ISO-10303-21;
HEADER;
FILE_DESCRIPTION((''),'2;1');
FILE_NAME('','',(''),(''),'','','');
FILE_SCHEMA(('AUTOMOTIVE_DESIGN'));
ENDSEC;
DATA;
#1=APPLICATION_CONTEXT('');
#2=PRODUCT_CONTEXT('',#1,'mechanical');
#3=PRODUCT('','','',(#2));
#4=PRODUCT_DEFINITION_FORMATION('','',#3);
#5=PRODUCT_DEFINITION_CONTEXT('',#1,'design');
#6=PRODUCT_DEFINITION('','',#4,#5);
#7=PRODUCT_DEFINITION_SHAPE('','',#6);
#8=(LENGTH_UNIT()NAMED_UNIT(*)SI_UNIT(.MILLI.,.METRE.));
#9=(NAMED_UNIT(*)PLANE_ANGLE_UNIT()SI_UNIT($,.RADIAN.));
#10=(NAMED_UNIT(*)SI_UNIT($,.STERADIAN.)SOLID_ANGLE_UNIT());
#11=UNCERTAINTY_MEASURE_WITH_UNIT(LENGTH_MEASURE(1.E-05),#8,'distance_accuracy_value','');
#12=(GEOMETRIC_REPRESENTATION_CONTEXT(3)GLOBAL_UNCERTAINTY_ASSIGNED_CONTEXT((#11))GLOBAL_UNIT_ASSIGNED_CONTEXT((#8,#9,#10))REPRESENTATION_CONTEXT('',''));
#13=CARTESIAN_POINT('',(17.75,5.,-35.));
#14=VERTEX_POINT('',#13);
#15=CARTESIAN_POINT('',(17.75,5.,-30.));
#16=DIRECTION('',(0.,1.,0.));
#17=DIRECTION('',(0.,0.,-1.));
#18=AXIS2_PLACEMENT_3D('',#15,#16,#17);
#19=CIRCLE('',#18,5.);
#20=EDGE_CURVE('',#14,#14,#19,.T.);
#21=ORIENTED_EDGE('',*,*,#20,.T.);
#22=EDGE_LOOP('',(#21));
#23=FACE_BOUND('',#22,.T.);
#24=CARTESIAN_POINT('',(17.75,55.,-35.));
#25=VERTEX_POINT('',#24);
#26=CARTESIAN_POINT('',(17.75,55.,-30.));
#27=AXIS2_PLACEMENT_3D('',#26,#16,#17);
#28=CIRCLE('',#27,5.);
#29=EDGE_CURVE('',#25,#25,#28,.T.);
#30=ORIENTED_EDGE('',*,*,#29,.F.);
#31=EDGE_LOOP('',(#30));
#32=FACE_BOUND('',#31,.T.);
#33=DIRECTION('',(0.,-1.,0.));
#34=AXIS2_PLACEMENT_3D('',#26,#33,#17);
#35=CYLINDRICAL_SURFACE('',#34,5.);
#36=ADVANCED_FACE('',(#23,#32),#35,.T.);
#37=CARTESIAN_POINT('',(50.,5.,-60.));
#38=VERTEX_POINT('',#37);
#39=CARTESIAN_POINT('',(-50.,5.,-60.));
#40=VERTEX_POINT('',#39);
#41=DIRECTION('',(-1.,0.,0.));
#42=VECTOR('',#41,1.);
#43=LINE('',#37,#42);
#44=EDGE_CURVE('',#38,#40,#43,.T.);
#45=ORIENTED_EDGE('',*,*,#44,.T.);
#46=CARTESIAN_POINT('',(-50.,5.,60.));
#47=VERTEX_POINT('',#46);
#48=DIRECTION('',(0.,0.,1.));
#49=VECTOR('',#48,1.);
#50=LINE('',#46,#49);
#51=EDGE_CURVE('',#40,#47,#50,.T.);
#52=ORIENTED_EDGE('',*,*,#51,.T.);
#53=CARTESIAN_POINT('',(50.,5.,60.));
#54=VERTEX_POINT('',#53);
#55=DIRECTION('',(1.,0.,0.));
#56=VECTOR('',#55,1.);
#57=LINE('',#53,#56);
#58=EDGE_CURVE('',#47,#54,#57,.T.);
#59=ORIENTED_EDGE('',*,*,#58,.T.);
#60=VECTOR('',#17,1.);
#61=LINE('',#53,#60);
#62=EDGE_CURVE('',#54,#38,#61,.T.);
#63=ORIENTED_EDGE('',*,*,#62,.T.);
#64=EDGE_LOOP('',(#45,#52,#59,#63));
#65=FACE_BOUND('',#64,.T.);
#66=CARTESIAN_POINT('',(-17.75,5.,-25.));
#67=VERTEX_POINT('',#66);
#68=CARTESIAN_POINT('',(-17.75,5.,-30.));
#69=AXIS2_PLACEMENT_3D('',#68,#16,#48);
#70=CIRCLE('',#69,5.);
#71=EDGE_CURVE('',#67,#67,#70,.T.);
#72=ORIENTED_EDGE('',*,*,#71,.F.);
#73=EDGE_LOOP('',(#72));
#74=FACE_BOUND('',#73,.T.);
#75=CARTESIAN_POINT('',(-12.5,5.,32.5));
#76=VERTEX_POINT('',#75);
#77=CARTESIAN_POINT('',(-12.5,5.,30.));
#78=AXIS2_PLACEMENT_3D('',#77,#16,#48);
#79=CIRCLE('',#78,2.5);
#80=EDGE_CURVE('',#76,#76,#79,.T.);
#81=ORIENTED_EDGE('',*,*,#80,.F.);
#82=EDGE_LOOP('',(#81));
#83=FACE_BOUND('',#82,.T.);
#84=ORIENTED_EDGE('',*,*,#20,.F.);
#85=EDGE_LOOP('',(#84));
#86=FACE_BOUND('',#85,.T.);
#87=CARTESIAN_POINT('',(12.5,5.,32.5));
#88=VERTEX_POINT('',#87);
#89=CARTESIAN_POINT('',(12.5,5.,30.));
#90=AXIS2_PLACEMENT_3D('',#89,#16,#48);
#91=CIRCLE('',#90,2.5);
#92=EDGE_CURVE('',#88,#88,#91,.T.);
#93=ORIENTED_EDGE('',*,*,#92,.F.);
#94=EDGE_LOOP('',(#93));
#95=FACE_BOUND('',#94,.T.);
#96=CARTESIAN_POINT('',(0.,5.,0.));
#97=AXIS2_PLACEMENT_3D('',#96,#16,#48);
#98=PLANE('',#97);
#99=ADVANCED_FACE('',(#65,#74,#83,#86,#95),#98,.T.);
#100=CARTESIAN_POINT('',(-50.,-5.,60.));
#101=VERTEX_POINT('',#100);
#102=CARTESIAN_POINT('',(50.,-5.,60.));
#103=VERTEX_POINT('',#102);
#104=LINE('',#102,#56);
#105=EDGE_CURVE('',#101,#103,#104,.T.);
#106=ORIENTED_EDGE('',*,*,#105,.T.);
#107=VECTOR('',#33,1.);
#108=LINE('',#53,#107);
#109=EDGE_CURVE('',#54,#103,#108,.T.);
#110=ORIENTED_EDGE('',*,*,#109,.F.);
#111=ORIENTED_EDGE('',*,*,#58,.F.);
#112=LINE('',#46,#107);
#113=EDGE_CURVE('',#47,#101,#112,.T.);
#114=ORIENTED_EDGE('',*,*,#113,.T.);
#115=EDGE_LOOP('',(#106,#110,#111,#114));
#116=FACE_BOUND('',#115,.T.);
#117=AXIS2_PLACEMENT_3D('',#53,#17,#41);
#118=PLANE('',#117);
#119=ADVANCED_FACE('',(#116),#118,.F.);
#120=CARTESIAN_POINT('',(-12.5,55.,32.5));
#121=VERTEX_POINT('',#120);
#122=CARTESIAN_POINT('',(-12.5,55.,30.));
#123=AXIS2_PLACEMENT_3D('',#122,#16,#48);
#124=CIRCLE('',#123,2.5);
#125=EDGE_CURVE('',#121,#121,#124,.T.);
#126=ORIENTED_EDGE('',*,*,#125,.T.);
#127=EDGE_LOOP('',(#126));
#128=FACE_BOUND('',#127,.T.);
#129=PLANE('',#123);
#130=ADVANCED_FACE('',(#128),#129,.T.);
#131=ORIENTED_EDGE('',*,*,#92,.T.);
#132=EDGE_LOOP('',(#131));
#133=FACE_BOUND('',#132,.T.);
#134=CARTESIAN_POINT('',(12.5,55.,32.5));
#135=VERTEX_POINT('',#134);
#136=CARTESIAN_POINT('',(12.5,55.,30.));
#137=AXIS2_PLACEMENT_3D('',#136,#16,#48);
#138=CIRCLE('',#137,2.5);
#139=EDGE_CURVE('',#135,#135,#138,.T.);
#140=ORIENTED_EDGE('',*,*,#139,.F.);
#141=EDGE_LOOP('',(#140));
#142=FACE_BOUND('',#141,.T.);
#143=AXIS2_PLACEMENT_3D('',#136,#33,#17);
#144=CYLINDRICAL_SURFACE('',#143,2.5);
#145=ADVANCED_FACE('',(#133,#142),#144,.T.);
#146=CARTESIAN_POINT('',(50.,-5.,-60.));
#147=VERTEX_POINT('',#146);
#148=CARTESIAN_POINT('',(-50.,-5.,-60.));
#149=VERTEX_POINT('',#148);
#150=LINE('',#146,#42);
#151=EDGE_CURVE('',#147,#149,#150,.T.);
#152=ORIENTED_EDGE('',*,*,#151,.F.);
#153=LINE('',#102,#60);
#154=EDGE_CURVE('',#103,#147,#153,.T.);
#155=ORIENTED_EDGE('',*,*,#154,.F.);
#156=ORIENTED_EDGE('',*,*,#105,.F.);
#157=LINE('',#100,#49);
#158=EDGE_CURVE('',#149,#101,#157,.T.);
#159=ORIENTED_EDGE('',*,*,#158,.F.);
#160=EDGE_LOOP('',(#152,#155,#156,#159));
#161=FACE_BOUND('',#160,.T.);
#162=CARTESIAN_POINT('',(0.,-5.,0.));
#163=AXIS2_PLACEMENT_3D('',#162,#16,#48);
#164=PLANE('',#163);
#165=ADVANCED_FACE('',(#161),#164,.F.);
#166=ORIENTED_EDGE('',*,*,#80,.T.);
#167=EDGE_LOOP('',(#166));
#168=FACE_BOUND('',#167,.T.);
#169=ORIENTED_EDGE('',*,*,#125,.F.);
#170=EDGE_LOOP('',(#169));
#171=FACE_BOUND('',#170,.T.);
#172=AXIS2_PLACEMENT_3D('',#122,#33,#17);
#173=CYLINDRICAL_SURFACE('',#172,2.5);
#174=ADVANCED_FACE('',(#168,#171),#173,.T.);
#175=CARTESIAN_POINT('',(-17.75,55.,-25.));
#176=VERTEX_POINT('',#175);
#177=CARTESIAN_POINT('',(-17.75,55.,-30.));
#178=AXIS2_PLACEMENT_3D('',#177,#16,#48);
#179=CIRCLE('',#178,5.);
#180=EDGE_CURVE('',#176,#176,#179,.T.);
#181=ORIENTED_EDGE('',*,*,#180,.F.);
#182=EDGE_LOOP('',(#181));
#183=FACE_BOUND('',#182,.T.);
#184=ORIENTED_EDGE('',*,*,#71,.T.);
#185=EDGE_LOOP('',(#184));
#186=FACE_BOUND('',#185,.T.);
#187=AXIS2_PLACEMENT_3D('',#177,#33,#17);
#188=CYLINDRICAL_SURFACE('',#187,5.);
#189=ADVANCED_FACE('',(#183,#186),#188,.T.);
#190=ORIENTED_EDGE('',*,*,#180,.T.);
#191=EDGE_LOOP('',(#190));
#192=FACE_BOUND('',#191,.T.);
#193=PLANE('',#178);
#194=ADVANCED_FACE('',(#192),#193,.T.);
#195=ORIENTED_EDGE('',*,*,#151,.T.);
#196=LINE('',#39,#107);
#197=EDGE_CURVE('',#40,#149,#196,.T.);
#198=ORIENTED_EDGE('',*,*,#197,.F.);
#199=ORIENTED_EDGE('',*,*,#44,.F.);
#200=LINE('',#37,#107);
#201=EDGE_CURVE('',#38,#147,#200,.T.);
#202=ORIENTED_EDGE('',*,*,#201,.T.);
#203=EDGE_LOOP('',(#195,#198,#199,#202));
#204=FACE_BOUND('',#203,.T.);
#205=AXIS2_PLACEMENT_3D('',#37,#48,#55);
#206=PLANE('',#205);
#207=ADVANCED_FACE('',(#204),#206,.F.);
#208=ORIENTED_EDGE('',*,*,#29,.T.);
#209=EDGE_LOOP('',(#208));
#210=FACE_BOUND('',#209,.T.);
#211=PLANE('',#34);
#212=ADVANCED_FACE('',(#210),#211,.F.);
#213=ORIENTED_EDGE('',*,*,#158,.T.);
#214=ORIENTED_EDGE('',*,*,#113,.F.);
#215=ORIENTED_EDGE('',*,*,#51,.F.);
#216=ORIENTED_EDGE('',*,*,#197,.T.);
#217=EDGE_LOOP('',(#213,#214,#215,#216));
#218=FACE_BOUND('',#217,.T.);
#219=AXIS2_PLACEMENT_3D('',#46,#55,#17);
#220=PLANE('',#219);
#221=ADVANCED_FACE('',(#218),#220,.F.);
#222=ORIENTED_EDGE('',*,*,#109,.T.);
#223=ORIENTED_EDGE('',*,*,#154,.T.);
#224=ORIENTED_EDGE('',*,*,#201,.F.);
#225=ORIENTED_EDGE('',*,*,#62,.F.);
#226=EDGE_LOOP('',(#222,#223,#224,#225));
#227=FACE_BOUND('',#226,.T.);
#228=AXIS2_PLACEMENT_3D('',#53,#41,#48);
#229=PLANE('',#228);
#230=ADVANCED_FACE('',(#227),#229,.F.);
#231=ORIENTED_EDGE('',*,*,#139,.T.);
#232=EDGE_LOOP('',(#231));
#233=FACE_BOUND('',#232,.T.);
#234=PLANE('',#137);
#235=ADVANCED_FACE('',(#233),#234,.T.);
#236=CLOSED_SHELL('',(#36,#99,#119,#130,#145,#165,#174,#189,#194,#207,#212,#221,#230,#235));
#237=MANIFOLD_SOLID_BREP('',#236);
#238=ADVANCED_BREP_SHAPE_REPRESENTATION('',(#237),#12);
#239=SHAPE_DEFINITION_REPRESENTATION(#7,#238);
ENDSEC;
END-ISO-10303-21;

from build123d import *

# Parameters (mm, degrees)
SKETCH1_W           = 100
SKETCH1_H           = 120
BOSS_EXTRUDE1_DEPTH = 5
SKETCH2_R           = 5
SKETCH2_R_2         = 2.5
BOSS_EXTRUDE2_DEPTH = 50


with BuildPart() as part:
    # Sketch1 → Boss-Extrude1 (new, symmetric)
    with BuildSketch(Plane(origin=(0, 0, 0), x_dir=(1, 0, 0), z_dir=(0, 1, 0))):
        Rectangle(SKETCH1_W, SKETCH1_H)
    extrude(amount=BOSS_EXTRUDE1_DEPTH, both=True)

    # Sketch2 → Boss-Extrude2 (add)
    with BuildSketch(Plane(origin=(0, 5, 0), x_dir=(1, 0, 0), z_dir=(0, 1, 0))):
        with Locations(Location((-17.75, 30, 0), (0, 0, 270))):
            Circle(SKETCH2_R)
        with Locations(Location((17.75, 30, 0), (0, 0, 90))):
            Circle(SKETCH2_R)
        with Locations(Location((-12.5, -30, 0), (0, 0, 270))):
            Circle(SKETCH2_R_2)
        with Locations(Location((12.5, -30, 0), (0, 0, 270))):
            Circle(SKETCH2_R_2)
    extrude(amount=BOSS_EXTRUDE2_DEPTH)


solid = part.part
